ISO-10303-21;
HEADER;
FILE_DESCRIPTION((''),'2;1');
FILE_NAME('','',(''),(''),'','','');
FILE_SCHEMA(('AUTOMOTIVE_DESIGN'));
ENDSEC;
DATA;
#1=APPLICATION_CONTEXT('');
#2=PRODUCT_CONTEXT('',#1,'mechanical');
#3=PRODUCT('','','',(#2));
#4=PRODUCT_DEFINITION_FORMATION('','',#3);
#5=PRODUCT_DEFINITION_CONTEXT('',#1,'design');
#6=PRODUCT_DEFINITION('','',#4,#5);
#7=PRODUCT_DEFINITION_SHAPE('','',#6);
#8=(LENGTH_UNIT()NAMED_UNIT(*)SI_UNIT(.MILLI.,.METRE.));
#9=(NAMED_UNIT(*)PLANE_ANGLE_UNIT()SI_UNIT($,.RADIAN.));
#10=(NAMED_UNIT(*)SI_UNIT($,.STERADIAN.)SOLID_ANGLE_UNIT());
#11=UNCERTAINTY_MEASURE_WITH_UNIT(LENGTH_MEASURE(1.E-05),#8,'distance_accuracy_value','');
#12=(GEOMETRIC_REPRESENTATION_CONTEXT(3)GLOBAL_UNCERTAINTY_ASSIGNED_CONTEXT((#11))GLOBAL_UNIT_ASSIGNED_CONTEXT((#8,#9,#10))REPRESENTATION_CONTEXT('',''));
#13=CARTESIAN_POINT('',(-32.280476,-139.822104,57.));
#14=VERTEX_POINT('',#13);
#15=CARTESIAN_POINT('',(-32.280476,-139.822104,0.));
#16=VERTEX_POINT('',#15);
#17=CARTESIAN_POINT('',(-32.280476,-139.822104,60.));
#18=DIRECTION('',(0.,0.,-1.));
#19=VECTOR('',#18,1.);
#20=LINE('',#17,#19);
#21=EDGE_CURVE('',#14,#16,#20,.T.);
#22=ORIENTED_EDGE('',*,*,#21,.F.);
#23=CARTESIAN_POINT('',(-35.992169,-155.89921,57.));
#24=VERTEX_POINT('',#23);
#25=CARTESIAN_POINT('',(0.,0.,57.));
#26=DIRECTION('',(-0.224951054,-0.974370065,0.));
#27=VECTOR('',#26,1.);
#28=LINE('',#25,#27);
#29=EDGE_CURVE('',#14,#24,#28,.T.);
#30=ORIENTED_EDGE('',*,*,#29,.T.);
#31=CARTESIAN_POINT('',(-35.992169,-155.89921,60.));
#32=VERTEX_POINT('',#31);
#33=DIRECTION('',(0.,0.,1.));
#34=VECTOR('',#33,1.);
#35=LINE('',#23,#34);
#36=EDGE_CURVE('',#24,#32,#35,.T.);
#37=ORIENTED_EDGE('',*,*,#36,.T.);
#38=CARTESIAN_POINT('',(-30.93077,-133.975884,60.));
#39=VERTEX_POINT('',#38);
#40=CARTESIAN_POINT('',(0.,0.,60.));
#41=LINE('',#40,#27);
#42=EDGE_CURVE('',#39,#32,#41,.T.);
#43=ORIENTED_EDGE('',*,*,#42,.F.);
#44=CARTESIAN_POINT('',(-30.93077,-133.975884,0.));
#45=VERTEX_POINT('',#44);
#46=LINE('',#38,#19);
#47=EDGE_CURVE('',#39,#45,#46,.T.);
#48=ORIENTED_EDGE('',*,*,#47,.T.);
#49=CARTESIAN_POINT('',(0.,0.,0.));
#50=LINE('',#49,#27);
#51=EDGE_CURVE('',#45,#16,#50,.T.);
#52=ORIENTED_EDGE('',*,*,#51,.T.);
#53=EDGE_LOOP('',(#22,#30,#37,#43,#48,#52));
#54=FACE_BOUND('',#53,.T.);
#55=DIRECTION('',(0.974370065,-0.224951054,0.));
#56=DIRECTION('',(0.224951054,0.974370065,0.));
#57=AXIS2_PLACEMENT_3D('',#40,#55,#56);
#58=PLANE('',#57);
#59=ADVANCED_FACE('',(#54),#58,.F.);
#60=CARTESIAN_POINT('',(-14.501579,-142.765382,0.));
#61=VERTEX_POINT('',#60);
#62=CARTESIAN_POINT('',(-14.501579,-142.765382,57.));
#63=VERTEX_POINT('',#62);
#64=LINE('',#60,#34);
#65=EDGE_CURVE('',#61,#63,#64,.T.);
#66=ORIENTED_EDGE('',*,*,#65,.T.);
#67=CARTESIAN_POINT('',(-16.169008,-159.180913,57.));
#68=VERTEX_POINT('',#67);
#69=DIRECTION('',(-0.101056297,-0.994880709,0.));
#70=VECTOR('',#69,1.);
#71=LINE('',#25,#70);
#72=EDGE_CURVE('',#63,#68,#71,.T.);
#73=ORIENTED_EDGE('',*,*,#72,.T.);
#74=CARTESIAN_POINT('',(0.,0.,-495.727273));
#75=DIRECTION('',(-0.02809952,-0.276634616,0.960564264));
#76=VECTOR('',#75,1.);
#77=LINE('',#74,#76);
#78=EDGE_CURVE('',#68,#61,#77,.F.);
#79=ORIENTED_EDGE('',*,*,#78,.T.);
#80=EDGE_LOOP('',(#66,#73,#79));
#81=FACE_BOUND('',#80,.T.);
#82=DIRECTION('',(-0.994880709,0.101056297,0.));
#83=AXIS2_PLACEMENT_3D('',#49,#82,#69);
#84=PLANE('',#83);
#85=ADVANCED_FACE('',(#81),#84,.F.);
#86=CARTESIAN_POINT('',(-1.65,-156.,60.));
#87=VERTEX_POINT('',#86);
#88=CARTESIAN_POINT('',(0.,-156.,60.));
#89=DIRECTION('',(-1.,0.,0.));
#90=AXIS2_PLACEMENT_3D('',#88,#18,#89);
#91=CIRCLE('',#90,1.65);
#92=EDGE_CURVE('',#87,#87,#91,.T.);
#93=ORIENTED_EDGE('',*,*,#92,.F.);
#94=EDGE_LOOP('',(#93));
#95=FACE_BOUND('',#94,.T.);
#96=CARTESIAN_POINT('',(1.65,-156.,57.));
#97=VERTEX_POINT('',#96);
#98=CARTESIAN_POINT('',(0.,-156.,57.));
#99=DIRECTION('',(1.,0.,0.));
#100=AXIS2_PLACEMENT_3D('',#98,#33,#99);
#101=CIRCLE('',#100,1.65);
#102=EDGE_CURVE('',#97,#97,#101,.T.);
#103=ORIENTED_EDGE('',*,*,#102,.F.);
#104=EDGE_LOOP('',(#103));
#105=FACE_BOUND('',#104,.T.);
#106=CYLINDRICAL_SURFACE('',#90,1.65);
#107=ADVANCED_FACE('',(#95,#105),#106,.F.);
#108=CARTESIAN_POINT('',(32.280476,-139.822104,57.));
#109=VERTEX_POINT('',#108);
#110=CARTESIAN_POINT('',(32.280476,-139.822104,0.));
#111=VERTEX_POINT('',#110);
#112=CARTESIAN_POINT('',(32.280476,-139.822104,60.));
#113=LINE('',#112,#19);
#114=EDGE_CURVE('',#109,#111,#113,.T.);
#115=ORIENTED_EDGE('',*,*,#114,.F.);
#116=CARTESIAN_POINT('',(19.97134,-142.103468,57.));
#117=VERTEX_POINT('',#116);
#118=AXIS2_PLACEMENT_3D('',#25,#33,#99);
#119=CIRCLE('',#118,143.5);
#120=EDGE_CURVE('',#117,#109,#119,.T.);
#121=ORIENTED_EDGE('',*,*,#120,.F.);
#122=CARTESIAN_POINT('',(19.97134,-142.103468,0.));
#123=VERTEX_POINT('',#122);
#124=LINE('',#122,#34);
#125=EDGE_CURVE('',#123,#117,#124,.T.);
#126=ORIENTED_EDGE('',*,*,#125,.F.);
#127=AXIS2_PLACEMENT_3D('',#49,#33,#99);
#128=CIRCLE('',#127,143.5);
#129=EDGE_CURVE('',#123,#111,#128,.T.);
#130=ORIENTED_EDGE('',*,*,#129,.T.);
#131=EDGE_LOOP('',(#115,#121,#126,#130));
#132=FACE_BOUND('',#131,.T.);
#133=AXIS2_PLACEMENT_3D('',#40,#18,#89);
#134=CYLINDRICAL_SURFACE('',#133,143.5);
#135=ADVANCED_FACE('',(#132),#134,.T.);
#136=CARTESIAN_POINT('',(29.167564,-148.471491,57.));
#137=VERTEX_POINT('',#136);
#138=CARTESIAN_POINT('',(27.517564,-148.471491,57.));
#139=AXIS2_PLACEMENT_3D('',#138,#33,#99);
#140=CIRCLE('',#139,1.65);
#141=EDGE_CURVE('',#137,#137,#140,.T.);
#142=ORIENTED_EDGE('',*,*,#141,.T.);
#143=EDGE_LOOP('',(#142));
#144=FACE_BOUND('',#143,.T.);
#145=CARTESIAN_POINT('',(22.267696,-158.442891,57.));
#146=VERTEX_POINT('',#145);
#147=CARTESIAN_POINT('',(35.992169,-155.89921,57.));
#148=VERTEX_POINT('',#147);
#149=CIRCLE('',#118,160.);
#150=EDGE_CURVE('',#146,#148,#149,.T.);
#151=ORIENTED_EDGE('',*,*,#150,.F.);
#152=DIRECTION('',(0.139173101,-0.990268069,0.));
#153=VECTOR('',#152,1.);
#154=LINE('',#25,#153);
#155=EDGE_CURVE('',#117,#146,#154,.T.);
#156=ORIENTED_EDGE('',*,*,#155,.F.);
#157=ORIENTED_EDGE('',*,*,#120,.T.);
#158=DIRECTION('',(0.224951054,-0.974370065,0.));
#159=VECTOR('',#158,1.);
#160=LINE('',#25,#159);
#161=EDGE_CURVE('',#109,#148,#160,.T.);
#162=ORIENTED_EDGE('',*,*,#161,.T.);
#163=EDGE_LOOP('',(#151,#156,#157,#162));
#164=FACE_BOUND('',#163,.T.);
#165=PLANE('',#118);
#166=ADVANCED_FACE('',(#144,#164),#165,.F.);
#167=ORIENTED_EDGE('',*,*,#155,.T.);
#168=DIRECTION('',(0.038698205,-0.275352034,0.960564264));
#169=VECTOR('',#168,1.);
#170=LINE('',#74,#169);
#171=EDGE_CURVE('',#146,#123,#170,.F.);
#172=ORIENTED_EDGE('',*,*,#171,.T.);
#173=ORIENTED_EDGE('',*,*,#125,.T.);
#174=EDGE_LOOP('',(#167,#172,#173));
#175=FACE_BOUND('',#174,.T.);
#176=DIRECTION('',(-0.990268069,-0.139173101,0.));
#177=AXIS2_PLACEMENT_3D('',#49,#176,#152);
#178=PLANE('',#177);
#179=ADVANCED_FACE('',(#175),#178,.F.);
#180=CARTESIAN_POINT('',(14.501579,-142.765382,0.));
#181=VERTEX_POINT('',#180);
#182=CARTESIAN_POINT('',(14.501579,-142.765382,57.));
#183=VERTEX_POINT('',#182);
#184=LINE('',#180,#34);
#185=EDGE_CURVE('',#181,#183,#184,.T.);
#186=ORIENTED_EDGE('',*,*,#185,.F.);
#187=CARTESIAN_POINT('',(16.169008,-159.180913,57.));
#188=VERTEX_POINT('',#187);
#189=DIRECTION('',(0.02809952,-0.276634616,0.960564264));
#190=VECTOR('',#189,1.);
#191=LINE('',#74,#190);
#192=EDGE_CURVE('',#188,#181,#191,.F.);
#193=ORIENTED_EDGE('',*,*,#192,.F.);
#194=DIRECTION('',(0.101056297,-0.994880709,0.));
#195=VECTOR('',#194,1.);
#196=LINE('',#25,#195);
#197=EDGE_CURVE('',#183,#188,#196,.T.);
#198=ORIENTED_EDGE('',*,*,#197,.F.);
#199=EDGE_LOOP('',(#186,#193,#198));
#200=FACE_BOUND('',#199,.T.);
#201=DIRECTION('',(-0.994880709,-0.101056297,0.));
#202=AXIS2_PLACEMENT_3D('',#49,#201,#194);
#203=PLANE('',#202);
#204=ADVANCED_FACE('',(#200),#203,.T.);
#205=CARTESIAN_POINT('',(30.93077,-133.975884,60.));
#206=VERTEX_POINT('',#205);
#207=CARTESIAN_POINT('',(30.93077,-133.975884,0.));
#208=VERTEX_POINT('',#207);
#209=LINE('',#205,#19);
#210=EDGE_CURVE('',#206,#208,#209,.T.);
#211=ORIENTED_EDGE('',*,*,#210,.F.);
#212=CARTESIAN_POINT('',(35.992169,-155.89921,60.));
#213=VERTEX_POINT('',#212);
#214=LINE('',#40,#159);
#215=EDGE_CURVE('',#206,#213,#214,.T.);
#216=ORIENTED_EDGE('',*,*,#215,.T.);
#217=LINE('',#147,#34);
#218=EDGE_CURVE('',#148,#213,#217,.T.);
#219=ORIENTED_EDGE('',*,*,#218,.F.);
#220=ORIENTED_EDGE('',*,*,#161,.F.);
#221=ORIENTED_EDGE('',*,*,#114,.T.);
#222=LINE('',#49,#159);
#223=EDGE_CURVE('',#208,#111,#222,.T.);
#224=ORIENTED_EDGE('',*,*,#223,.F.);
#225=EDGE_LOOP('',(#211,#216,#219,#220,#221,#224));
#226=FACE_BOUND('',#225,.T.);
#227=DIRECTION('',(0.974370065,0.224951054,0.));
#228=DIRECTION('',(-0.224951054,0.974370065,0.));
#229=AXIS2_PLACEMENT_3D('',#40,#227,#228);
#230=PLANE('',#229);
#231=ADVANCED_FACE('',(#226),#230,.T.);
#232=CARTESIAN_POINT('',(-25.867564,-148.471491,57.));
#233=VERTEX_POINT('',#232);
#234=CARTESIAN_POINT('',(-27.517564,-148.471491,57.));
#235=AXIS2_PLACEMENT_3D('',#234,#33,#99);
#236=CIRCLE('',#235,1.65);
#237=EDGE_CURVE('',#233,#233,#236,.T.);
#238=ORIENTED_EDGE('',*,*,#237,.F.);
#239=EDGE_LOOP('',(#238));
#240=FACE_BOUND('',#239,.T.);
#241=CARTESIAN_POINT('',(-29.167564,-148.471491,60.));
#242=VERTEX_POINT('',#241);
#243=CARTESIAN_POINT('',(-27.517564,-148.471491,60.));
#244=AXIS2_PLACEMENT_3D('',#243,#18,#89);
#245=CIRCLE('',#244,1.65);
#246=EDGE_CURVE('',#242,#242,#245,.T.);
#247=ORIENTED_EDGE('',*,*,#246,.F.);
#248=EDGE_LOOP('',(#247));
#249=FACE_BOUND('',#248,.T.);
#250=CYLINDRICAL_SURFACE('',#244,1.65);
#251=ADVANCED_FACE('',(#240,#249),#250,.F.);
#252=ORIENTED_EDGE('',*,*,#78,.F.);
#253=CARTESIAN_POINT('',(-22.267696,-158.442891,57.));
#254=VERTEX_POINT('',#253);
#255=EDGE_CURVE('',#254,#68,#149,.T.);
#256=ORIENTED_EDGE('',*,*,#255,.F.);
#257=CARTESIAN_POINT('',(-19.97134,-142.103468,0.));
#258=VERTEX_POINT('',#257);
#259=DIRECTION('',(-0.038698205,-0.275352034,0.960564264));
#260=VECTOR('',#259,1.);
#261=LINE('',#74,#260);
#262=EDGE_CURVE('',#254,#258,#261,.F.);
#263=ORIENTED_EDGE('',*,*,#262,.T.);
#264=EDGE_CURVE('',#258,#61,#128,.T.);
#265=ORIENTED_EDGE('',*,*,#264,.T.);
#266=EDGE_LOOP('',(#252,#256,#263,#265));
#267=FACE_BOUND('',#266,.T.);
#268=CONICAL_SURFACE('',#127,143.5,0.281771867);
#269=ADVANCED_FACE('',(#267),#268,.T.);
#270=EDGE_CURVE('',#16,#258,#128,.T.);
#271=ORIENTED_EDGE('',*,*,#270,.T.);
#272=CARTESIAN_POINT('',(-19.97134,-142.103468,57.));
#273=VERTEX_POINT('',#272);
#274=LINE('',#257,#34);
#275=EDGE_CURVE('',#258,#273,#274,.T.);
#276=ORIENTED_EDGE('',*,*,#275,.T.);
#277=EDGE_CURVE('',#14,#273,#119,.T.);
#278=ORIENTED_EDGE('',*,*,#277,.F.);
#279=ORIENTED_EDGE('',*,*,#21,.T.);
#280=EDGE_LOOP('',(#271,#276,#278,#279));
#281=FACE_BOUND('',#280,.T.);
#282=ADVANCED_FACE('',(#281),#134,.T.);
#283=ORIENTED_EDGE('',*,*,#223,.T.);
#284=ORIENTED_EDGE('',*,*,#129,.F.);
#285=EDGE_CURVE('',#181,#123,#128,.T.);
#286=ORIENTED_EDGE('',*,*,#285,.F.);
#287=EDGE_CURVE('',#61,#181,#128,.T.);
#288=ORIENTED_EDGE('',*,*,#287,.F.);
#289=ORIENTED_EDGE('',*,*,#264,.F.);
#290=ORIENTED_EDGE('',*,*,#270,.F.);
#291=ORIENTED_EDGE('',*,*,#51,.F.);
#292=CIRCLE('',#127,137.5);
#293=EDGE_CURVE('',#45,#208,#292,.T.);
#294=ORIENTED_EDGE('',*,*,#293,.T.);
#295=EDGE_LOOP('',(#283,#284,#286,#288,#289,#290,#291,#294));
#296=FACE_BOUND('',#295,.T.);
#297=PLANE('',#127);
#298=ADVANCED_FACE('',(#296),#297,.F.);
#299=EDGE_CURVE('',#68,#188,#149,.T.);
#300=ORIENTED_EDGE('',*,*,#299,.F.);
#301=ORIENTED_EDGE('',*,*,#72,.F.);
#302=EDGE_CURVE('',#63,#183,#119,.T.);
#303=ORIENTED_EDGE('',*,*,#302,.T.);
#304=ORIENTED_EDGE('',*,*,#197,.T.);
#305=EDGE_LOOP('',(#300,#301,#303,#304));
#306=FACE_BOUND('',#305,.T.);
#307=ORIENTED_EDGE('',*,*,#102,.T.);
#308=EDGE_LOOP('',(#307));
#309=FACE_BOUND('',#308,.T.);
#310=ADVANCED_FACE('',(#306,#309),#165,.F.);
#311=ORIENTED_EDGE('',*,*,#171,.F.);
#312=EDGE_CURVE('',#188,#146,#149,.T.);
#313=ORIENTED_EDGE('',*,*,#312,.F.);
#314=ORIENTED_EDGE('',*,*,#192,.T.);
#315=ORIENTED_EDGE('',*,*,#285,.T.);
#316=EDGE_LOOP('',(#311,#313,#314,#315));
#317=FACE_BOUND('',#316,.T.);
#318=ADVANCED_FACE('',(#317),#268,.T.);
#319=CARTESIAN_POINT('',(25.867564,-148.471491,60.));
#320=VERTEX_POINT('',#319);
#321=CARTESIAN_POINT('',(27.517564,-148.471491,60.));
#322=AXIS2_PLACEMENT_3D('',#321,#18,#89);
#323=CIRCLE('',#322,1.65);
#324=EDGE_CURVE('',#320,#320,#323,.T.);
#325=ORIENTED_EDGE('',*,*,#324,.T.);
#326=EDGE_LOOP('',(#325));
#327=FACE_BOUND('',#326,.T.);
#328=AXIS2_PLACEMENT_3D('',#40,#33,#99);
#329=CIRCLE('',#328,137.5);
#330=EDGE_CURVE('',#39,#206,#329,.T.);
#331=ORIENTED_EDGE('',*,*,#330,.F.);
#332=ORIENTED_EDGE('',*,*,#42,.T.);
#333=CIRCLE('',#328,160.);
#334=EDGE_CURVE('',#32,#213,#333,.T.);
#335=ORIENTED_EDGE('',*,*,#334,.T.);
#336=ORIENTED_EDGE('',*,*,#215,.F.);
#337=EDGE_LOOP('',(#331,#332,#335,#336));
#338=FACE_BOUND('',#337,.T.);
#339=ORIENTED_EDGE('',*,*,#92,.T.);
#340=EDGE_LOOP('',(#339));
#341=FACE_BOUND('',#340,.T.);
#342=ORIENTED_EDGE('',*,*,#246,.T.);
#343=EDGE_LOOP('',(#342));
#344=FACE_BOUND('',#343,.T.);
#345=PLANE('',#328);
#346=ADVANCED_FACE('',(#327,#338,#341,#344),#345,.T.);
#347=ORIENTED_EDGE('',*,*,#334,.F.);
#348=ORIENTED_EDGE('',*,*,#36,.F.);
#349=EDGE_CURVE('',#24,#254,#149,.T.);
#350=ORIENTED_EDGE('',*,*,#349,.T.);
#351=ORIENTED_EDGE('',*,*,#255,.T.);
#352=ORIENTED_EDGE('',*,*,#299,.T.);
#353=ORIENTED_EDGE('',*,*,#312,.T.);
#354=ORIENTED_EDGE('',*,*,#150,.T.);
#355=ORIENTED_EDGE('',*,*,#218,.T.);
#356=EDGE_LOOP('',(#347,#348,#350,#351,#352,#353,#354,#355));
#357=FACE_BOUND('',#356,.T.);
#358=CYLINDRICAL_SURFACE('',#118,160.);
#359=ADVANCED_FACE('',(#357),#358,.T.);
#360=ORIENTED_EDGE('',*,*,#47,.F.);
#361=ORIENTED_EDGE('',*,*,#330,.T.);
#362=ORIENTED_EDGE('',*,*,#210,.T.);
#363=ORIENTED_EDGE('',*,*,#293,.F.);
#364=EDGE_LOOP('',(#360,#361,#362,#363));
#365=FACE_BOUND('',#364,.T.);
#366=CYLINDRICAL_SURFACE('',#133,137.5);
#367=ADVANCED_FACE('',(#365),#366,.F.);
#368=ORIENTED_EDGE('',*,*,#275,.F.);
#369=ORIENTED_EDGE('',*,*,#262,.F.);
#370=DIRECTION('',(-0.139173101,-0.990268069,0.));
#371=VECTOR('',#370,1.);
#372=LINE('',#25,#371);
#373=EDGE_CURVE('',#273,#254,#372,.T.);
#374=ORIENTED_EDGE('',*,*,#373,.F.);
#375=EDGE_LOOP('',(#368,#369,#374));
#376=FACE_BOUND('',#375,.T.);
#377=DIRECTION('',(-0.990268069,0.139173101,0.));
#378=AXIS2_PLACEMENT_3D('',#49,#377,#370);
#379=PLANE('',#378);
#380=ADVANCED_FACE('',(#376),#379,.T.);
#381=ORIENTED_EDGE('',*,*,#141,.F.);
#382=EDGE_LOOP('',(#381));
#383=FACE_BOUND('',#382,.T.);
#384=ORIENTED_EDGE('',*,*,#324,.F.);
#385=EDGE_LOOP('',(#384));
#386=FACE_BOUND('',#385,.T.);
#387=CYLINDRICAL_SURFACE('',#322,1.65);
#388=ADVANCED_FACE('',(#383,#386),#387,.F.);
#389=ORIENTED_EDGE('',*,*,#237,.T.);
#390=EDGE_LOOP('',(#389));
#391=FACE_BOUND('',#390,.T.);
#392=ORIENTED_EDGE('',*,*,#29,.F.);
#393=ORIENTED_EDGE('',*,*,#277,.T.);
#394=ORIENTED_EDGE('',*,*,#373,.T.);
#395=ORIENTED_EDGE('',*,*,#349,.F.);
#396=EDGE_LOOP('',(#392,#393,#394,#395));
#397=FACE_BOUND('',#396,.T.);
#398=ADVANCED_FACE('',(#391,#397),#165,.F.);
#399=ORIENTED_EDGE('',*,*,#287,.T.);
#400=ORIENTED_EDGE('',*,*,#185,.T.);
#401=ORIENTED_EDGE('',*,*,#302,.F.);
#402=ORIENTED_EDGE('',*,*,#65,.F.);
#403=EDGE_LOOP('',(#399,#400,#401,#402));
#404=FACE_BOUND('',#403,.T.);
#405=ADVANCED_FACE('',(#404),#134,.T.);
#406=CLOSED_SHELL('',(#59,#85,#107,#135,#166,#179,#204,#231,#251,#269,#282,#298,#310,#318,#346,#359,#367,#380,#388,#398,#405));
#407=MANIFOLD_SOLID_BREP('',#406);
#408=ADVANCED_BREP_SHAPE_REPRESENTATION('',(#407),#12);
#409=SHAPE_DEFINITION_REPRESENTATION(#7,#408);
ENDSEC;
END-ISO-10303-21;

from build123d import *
from build123d.topology import SkipClean

# Parameters (mm, degrees)
EXTRUDE_1_DEPTH     = 60
EXTRUDE_START       = -3
EXTRUDE_2_DEPTH     = 3
EXTRUDE_START_2     = 57
SKETCH_3_R          = 1.65
EXTRUDE_3_DEPTH     = 57
SKETCH_4_R          = 1.65
CUT_EXTRUDE_1_DEPTH = 175.629425377


with BuildPart() as part:
    # 草图1 → 凸台-拉伸1 (new body)
    with BuildSketch(Plane.XY):
        with BuildLine():
            ThreePointArc((0, -143.5), (16.244661176, -142.57756129), (32.280476298, -139.822104297))
            Line((32.280476298, -139.822104297), (30.930769972, -133.975883908))
            ThreePointArc((30.930769972, -133.975883908), (15.565441893, -136.616130156), (0, -137.5))
            Line((0, -137.5), (0, -143.5))
        make_face()
        with BuildLine():
            Line((-30.930769972, -133.975883908), (-32.280476298, -139.822104297))
            ThreePointArc((-32.280476298, -139.822104297), (-16.244661176, -142.57756129), (0, -143.5))
            Line((0, -143.5), (0, -137.5))
            ThreePointArc((0, -137.5), (-15.565441893, -136.616130156), (-30.930769972, -133.975883908))
        make_face()
    extrude(amount=EXTRUDE_1_DEPTH)

    # 草图2 → 凸台-拉伸2 (add)
    with BuildSketch(Plane.XY.offset(60).offset(EXTRUDE_START)):
        with BuildLine():
            Line((35.992168695, -155.899210366), (32.280476298, -139.822104297))
            ThreePointArc((32.280476298, -139.822104297), (0, -143.5), (-32.280476298, -139.822104297))
            Line((-32.280476298, -139.822104297), (-35.992168695, -155.899210366))
            ThreePointArc((-35.992168695, -155.899210366), (0, -160), (35.992168695, -155.899210366))
        make_face()
    extrude(amount=EXTRUDE_2_DEPTH)

    # 草图3 → 凸台-拉伸3 (add)
    with SkipClean():  # the faces are left unmerged after this step: merging them gives an invalid solid
        with BuildSketch(Plane(origin=(0, 0, 57), x_dir=(-1, 0, 0), z_dir=(0, 0, -1)).offset(EXTRUDE_START_2)):
            with Locations(Location((-27.517564349, -148.471491042, 0), (0, 0, 180))):
                Circle(SKETCH_3_R)
            with Locations(Location((0, -156, 0), (0, 0, 180))):
                Circle(SKETCH_3_R)
            with BuildLine():
                Line((-16.169007549, -159.180913413), (-14.501578646, -142.765381717))
                ThreePointArc((-14.501578646, -142.765381717), (-17.239636373, -142.460678567), (-19.971339988, -142.103467864))
                Line((-19.971339988, -142.103467864), (-22.267696154, -158.442890999))
                ThreePointArc((-22.267696154, -158.442890999), (-19.221894214, -158.841174709), (-16.169007549, -159.180913413))
            make_face()
            with BuildLine():
                ThreePointArc((19.971339988, -142.103467864), (17.239636373, -142.460678567), (14.501578646, -142.765381717))
                Line((14.501578646, -142.765381717), (16.169007549, -159.180913413))
                ThreePointArc((16.169007549, -159.180913413), (19.221894214, -158.841174709), (22.267696154, -158.442890999))
                Line((22.267696154, -158.442890999), (19.971339988, -142.103467864))
            make_face()
            with Locations(Location((27.517564349, -148.471491042, 0), (0, 0, 180))):
                Circle(SKETCH_3_R)
        extrude(amount=-EXTRUDE_3_DEPTH)

    # 草图4 → 切除-拉伸1 (cut, through all)
    with SkipClean():  # the faces are left unmerged after this step: merging them gives an invalid solid
        with BuildSketch(Plane(origin=(0, 0, 0), x_dir=(-1, 0, 0), z_dir=(0, 0, -1))):
            with Locations((-27.517564349, -148.471491042)):
                Circle(SKETCH_4_R)
            with Locations((0, -156)):
                Circle(SKETCH_4_R)
            with Locations((27.517564349, -148.471491042)):
                Circle(SKETCH_4_R)
        extrude(amount=-CUT_EXTRUDE_1_DEPTH, mode=Mode.SUBTRACT)

    # 草图6 → 切除-旋转1 (revolve, cut)
    with BuildSketch(Plane(origin=(0, 0, 0), x_dir=(0, 0, -1), z_dir=(0.9902680687415703, 0.13917310096006566, 0))):
        Polygon((0, -143.5), (-57, -160), (0, -160), align=None)
    revolve(axis=Axis((0, 0, 60), (0, 0, -1)), mode=Mode.SUBTRACT)


solid = part.part
